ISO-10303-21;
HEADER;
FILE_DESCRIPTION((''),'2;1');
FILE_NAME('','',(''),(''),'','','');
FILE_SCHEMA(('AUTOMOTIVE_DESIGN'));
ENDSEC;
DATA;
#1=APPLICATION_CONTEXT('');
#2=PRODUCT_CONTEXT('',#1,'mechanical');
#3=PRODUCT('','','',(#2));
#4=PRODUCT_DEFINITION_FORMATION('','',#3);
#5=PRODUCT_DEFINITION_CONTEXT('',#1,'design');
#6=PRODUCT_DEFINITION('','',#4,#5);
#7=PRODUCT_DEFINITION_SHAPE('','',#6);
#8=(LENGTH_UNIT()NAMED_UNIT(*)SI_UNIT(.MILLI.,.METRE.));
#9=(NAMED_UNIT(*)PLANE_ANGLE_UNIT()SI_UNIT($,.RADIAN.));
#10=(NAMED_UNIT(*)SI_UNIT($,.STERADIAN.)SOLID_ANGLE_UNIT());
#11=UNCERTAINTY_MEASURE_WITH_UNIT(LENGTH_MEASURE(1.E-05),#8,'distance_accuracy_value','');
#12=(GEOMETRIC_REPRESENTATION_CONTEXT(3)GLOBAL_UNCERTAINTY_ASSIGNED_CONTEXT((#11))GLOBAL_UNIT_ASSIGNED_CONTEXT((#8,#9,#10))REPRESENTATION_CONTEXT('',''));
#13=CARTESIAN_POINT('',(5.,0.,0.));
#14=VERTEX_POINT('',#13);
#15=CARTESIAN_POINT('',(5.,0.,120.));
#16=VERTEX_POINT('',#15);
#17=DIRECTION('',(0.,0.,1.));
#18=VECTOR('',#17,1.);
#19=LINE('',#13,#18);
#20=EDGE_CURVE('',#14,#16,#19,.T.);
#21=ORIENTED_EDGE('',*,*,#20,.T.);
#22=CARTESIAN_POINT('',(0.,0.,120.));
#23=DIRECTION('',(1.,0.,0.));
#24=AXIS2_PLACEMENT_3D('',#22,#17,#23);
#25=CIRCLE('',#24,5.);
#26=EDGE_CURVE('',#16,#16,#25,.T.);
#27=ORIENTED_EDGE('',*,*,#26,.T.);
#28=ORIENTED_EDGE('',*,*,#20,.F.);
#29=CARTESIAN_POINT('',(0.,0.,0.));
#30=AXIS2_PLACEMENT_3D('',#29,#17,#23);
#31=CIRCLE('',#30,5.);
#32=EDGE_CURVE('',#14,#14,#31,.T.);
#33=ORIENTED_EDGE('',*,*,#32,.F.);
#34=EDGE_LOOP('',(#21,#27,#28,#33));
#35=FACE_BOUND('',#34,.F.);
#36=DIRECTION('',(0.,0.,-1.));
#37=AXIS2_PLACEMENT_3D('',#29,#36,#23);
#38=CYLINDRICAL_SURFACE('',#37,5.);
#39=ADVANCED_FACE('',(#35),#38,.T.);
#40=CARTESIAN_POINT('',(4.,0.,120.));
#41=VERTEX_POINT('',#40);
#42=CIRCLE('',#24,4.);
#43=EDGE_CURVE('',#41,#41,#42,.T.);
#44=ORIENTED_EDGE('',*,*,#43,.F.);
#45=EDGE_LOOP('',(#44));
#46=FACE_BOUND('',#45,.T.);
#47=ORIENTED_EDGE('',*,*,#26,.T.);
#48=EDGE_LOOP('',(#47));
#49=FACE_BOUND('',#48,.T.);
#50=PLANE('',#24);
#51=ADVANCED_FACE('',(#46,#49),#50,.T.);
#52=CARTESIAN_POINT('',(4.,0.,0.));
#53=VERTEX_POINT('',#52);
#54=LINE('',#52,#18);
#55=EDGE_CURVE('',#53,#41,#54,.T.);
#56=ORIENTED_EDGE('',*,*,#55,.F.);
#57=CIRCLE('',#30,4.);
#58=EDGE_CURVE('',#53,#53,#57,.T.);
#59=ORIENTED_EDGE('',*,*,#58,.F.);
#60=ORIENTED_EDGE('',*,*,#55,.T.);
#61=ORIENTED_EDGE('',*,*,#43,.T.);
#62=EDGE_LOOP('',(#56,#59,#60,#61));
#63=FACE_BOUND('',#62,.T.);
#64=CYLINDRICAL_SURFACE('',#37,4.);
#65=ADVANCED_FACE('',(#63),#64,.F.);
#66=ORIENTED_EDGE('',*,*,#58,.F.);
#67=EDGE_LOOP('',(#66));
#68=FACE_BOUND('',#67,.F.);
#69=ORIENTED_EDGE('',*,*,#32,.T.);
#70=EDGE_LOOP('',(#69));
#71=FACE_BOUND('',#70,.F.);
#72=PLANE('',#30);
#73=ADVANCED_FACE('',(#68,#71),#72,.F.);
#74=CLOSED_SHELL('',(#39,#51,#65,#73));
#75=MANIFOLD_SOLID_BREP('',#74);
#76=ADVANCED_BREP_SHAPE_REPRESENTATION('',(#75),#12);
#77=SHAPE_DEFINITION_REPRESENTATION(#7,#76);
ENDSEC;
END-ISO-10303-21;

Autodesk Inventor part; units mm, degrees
ref_plane "YZ Plane" through (0, 0, 0) normal (1, 0, 0) x (0, 1, 0)
ref_plane "XZ Plane" through (0, 0, 0) normal (0, 1, 0) x (-1, 0, 0)
ref_plane "XY Plane" through (0, 0, 0) normal (0, 0, 1) x (1, 0, 0)
sketch "Sketch1" plane through (0, 0, 0) normal (0, 0, 1) x (1, 0, 0)
  circle A0 centre (0, 0) radius 4
  circle A1 centre (0, 0) radius 5
  dimension "d0" = 8
  dimension "d1" = 10
extrude "Extrusion1" add sketch "Sketch1" along normal blind 120
properties part number "ShortCF"
